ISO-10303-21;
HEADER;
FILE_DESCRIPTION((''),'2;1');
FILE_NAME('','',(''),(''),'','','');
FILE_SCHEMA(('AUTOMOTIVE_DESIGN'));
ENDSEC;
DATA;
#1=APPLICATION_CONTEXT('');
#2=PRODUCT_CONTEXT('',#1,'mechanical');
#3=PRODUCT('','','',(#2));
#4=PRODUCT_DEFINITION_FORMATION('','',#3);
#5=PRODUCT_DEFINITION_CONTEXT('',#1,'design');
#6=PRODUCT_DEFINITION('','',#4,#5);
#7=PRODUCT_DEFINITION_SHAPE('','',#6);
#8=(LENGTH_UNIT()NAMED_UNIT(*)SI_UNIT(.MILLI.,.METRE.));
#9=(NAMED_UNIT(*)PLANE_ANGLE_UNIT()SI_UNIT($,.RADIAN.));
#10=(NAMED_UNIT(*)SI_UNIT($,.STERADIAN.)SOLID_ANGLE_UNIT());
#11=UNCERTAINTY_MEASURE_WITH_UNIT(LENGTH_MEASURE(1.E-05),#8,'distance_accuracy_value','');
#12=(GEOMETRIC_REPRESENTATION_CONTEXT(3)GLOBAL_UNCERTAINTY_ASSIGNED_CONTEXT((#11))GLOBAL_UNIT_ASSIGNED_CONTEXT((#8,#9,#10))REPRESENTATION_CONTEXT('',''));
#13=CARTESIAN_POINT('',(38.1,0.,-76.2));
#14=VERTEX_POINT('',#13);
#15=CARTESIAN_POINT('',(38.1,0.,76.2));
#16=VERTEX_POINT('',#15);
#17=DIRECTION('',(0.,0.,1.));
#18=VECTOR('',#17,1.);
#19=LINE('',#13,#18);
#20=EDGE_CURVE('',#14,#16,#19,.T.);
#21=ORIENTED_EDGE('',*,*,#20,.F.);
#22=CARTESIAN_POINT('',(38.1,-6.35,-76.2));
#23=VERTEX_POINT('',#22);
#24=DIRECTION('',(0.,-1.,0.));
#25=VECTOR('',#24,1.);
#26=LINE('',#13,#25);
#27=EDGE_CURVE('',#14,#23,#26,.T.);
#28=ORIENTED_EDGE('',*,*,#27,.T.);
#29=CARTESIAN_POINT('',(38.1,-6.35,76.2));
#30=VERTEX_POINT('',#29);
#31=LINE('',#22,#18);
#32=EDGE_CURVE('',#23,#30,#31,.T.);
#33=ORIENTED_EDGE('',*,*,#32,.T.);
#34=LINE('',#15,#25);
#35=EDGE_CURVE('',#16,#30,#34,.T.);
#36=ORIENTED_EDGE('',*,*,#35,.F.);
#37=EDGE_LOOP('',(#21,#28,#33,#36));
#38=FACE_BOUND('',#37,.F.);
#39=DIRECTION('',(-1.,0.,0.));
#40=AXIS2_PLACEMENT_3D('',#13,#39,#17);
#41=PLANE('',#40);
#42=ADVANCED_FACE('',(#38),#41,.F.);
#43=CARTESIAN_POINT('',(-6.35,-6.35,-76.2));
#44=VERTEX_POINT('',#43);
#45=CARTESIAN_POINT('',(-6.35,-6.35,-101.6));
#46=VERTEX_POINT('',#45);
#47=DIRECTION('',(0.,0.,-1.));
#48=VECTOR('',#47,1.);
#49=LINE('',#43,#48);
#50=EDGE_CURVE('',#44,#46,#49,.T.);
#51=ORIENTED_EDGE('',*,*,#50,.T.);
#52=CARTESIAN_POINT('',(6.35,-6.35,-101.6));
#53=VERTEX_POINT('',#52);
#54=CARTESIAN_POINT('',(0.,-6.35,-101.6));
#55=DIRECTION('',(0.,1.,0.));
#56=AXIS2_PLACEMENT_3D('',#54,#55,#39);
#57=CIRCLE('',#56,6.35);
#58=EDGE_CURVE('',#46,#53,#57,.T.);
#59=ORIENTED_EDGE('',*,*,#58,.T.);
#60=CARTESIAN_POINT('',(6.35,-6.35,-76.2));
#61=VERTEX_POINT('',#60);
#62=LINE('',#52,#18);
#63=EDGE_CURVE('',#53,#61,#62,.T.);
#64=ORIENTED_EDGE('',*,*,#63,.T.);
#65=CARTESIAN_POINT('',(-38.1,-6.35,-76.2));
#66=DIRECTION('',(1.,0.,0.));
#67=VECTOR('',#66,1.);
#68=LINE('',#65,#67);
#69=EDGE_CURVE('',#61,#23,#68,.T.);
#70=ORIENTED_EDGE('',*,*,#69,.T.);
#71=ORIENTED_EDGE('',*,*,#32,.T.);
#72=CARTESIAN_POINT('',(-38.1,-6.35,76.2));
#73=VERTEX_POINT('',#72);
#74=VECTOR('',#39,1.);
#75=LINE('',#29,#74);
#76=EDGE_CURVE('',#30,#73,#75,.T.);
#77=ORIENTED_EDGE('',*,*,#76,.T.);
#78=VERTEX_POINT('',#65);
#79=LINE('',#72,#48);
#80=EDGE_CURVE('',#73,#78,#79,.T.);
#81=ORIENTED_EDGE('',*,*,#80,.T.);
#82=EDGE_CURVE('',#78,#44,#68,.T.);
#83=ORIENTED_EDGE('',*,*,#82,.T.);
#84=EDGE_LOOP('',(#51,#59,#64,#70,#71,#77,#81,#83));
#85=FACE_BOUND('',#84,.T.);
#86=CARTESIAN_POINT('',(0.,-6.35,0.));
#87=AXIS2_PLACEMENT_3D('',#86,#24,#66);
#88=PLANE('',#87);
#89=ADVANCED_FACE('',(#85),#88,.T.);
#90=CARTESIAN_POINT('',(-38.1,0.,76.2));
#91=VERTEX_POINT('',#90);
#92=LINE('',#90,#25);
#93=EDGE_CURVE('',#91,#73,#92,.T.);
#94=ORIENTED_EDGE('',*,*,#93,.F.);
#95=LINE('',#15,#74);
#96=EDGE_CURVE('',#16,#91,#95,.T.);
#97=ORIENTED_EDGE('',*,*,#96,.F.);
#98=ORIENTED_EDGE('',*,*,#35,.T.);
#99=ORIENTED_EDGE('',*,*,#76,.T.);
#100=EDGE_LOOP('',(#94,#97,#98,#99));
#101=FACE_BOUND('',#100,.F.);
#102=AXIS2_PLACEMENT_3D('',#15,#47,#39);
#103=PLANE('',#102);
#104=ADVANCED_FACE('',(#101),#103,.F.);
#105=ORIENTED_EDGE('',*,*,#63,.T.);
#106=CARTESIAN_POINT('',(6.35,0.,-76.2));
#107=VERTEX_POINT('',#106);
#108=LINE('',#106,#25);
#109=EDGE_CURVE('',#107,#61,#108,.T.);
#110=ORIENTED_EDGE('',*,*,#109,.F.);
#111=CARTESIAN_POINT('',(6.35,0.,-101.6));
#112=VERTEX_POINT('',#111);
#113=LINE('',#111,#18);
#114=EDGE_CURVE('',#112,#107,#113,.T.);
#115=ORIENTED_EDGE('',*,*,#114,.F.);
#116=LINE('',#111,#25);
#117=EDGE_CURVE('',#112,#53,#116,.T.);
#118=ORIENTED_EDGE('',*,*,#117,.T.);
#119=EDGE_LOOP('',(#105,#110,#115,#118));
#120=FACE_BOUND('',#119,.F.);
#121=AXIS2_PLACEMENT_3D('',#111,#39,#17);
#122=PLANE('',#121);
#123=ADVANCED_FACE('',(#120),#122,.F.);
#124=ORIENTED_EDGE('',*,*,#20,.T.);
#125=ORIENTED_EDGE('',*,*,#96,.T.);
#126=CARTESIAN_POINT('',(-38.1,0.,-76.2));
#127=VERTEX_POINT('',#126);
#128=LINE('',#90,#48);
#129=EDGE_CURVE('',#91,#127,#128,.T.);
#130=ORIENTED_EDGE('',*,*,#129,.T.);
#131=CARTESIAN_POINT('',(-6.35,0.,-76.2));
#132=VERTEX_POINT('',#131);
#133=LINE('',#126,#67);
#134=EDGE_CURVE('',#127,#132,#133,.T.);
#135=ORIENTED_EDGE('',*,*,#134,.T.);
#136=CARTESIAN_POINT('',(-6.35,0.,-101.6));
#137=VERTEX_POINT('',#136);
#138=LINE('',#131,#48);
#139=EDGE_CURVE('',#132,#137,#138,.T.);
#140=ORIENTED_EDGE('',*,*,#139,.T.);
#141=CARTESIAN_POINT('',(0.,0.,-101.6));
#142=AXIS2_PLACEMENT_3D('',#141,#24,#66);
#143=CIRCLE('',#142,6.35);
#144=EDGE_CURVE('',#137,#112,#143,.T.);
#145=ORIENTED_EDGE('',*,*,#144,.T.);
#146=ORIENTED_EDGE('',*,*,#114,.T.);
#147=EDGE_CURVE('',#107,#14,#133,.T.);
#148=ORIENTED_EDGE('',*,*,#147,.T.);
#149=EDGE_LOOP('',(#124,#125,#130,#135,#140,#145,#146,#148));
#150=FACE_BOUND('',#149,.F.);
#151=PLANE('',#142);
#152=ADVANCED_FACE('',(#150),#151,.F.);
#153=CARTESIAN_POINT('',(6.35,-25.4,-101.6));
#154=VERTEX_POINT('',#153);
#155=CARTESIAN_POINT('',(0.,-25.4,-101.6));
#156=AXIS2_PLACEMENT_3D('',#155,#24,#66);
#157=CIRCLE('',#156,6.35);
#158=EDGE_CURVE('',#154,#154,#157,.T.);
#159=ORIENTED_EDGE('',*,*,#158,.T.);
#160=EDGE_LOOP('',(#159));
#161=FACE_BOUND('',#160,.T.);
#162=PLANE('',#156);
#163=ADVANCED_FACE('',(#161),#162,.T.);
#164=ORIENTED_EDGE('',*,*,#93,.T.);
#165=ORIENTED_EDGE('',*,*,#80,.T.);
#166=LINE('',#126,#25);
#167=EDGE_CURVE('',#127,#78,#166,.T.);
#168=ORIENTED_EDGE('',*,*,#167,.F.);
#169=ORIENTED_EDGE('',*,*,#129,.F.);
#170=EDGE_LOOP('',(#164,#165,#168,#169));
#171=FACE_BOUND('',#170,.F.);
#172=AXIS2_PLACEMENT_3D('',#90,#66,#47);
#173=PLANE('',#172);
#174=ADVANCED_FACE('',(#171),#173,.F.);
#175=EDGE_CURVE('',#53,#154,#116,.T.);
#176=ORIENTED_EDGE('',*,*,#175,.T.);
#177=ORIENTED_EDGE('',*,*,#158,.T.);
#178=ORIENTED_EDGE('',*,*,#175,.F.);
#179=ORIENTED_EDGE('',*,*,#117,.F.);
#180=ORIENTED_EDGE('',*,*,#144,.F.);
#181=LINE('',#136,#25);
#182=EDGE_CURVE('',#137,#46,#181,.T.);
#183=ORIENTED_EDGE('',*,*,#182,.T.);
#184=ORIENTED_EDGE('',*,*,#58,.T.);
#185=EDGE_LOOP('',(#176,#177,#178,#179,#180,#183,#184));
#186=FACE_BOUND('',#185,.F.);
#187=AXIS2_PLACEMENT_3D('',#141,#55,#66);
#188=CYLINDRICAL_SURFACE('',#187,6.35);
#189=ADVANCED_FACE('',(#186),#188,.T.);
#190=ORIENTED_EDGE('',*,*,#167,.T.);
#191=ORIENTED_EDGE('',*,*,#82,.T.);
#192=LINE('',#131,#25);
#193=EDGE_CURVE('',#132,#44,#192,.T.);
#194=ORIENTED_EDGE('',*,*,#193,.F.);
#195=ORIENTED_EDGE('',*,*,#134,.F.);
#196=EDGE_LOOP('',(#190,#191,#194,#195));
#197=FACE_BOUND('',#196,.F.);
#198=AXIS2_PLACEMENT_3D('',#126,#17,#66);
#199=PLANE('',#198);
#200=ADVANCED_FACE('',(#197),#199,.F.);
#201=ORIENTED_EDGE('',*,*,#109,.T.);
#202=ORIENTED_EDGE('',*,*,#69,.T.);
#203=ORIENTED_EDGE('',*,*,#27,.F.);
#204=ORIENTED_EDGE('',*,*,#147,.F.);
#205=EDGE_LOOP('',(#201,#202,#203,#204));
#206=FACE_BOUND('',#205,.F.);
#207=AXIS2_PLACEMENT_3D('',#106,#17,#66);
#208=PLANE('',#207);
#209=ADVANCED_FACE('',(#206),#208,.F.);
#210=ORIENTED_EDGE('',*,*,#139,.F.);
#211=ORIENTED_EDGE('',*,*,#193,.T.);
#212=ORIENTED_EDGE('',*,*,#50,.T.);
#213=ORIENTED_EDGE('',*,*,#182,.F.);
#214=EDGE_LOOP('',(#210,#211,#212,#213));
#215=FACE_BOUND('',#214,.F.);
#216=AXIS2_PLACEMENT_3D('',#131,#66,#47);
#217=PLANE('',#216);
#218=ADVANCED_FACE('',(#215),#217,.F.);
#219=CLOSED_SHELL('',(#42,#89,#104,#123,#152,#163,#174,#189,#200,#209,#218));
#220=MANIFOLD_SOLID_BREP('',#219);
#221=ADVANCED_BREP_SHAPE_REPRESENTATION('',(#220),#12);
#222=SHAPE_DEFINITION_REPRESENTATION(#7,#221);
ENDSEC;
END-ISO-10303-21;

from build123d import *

# Parameters (mm, degrees)
F1_DEPTH = 6.35
F2_DEPTH = 25.4


with BuildPart() as f1:
    # F0 (on Front) → F1 (new body)
    with BuildSketch(Plane.XZ):
        Polygon((6.35, -76.2), (38.1, -76.2), (38.1, 76.2), (-38.1, 76.2), (-38.1, -76.2), (-6.35, -76.2), align=None)
        with BuildLine():
            Line((6.35, -101.6), (6.35, -76.2))
            Line((6.35, -76.2), (-6.35, -76.2))
            Line((-6.35, -76.2), (-6.35, -101.6))
            ThreePointArc((-6.35, -101.6), (0, -95.25), (6.35, -101.6))
        make_face()
    extrude(amount=F1_DEPTH)

    # F0 (on Front) → F2 (join)
    with BuildSketch(Plane.XZ):
        with BuildLine():
            ThreePointArc((-6.35, -101.6), (0, -107.95), (6.35, -101.6))
            ThreePointArc((6.35, -101.6), (0, -95.25), (-6.35, -101.6))
        make_face()
    extrude(amount=F2_DEPTH)


solid = f1.part
